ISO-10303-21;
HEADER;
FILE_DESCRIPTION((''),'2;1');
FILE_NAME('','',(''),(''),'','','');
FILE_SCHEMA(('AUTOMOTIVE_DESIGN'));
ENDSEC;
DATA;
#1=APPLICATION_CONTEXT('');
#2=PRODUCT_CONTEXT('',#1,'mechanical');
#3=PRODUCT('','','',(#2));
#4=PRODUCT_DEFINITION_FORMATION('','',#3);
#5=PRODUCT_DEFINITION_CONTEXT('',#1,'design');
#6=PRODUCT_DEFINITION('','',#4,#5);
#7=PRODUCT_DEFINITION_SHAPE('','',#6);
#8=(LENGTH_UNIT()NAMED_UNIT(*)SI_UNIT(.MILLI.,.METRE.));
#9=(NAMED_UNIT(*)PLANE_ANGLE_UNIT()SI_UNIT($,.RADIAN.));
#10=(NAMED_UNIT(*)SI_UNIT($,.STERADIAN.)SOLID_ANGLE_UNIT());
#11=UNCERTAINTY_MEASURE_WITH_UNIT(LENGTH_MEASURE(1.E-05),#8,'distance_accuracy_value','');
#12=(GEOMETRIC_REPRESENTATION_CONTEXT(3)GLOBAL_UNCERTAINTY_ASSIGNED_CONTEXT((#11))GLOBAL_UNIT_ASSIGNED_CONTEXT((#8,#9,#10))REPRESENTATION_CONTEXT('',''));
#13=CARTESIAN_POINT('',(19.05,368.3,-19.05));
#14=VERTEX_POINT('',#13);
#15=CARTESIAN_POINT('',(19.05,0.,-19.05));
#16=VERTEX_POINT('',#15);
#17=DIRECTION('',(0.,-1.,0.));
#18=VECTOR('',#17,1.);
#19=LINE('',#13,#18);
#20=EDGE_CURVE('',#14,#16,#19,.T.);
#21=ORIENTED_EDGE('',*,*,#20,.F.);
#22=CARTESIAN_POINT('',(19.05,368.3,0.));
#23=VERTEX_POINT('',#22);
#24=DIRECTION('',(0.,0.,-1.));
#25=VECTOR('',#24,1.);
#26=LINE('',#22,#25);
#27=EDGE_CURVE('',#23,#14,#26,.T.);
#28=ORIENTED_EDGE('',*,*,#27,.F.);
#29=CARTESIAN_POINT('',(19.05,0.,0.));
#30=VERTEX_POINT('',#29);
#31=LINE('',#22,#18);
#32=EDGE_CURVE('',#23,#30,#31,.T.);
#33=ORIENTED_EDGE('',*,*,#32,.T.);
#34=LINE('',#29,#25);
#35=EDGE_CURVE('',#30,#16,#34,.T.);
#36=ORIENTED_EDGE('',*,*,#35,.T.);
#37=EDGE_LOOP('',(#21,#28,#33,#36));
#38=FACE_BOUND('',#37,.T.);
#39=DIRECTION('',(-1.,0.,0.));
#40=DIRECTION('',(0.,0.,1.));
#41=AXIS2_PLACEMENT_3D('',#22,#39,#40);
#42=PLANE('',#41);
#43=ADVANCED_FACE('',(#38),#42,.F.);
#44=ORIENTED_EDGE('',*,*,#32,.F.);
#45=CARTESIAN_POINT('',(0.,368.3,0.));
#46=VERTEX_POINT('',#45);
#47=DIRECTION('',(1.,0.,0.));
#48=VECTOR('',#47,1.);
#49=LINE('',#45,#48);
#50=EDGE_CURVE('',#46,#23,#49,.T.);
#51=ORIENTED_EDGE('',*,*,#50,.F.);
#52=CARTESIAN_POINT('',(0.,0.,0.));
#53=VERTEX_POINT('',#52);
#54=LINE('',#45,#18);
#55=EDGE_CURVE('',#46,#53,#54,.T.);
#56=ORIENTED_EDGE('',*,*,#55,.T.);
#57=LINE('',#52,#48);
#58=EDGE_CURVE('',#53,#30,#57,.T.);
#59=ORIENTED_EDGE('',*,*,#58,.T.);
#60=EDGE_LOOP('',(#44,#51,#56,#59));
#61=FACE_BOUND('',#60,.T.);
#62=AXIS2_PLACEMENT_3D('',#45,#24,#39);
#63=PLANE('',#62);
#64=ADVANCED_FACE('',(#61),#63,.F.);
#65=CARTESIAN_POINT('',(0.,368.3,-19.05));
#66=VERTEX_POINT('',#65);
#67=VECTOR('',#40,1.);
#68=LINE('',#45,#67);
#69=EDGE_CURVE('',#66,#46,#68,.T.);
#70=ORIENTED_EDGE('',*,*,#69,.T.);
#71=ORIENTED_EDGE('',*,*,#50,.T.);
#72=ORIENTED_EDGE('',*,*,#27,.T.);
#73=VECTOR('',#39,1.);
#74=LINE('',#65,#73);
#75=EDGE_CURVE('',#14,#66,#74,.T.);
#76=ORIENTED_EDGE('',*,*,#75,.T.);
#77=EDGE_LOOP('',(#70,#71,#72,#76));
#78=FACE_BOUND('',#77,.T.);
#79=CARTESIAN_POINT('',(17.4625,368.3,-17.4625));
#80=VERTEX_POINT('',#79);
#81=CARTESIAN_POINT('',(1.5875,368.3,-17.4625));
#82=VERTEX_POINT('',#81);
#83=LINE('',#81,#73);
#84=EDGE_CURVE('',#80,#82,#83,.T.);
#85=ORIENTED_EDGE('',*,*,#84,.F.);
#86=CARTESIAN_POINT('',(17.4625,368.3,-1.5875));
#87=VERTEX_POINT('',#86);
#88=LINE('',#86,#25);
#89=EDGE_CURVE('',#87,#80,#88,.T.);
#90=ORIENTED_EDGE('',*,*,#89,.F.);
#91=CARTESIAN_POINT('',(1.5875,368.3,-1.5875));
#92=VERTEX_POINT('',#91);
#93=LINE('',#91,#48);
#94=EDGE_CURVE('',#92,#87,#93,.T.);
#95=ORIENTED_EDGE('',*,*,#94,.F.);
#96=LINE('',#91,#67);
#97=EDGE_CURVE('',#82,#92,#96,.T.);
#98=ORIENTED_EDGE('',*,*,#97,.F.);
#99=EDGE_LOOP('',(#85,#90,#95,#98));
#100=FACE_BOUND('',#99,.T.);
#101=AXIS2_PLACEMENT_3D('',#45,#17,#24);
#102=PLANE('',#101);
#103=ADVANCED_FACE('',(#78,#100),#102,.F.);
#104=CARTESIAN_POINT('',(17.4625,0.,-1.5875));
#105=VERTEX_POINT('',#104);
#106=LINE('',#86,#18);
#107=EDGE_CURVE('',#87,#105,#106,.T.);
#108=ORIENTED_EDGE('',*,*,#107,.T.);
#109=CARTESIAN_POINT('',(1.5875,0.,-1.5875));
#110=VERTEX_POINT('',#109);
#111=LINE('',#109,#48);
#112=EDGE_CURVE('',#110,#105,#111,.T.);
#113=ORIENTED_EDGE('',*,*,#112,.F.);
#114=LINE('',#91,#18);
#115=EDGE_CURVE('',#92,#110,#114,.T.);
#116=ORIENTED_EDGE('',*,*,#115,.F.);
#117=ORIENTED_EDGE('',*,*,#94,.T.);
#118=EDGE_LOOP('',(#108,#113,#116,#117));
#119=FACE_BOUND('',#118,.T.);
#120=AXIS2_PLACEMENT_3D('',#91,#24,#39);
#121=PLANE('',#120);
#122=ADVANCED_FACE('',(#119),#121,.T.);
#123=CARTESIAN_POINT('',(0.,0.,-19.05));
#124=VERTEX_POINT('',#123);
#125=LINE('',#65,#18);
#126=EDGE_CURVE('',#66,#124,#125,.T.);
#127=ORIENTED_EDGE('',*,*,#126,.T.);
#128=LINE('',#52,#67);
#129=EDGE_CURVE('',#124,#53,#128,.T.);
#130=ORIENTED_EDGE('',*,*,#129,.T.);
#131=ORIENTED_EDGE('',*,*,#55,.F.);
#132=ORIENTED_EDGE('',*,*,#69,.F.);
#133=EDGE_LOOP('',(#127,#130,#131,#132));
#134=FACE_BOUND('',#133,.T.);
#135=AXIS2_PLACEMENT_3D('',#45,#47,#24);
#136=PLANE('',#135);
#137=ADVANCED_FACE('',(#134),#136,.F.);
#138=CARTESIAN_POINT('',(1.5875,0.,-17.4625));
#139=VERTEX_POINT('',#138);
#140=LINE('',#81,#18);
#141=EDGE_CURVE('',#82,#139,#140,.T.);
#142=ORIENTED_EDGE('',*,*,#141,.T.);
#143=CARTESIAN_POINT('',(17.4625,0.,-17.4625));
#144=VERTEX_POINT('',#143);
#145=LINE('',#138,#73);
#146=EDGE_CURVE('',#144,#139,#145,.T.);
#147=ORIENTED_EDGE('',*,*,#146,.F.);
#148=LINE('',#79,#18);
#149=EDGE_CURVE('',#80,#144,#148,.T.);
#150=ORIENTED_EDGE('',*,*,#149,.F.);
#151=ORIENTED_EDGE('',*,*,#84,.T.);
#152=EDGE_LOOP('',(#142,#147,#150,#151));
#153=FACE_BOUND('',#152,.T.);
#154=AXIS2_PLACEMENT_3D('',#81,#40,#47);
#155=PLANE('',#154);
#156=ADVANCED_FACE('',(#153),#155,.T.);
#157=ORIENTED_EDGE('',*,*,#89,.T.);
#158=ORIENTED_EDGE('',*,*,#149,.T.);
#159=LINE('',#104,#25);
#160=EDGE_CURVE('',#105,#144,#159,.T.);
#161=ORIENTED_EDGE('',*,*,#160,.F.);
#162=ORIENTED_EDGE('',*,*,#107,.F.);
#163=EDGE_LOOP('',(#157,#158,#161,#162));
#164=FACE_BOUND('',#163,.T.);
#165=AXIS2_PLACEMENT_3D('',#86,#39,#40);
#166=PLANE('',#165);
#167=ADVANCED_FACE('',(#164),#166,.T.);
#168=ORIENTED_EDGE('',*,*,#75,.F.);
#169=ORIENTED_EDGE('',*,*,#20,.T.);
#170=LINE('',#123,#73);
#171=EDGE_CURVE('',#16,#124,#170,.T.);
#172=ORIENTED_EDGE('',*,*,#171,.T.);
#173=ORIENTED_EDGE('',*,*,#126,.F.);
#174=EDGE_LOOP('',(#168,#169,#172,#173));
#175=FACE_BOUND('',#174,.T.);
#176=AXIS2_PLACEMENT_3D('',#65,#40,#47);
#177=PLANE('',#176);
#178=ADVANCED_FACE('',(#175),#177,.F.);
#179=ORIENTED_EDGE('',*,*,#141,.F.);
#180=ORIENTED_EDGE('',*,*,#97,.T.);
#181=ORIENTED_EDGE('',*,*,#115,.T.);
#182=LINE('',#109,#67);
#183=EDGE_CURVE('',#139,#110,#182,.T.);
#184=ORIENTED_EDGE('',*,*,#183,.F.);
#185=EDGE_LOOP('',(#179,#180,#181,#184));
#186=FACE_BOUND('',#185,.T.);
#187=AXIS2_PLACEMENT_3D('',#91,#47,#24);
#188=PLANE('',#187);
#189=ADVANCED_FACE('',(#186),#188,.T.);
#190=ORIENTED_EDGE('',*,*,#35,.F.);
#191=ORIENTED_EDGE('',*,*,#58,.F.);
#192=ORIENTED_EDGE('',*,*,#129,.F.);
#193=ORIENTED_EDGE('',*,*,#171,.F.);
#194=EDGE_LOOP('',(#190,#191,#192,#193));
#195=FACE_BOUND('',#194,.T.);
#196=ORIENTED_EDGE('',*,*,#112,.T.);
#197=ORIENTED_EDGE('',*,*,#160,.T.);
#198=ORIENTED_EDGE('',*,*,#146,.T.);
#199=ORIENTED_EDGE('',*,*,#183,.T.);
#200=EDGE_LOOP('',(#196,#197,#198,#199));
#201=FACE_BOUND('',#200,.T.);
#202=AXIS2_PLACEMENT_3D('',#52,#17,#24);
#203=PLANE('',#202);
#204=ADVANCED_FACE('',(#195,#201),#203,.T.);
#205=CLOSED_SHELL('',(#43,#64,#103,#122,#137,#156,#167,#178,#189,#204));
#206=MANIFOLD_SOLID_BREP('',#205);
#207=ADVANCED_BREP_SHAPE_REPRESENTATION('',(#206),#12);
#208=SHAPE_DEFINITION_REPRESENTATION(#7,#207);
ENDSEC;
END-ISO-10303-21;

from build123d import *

# Parameters (mm, degrees)
SKETCH1_W           = 19.05
SKETCH1_H           = 19.05
SKETCH1_W_2         = 15.875
SKETCH1_H_2         = 15.875
BOSS_EXTRUDE1_DEPTH = 368.3


with BuildPart() as part:
    # Sketch1 → Boss-Extrude1 (new body)
    with BuildSketch(Plane(origin=(0, 0, 0), x_dir=(1, 0, 0), z_dir=(0, 1, 0))):
        with Locations((9.525, 9.525)):
            Rectangle(SKETCH1_W, SKETCH1_H)
        with Locations((9.525, 9.525)):
            Rectangle(SKETCH1_W_2, SKETCH1_H_2, mode=Mode.SUBTRACT)
    extrude(amount=BOSS_EXTRUDE1_DEPTH)


solid = part.part
